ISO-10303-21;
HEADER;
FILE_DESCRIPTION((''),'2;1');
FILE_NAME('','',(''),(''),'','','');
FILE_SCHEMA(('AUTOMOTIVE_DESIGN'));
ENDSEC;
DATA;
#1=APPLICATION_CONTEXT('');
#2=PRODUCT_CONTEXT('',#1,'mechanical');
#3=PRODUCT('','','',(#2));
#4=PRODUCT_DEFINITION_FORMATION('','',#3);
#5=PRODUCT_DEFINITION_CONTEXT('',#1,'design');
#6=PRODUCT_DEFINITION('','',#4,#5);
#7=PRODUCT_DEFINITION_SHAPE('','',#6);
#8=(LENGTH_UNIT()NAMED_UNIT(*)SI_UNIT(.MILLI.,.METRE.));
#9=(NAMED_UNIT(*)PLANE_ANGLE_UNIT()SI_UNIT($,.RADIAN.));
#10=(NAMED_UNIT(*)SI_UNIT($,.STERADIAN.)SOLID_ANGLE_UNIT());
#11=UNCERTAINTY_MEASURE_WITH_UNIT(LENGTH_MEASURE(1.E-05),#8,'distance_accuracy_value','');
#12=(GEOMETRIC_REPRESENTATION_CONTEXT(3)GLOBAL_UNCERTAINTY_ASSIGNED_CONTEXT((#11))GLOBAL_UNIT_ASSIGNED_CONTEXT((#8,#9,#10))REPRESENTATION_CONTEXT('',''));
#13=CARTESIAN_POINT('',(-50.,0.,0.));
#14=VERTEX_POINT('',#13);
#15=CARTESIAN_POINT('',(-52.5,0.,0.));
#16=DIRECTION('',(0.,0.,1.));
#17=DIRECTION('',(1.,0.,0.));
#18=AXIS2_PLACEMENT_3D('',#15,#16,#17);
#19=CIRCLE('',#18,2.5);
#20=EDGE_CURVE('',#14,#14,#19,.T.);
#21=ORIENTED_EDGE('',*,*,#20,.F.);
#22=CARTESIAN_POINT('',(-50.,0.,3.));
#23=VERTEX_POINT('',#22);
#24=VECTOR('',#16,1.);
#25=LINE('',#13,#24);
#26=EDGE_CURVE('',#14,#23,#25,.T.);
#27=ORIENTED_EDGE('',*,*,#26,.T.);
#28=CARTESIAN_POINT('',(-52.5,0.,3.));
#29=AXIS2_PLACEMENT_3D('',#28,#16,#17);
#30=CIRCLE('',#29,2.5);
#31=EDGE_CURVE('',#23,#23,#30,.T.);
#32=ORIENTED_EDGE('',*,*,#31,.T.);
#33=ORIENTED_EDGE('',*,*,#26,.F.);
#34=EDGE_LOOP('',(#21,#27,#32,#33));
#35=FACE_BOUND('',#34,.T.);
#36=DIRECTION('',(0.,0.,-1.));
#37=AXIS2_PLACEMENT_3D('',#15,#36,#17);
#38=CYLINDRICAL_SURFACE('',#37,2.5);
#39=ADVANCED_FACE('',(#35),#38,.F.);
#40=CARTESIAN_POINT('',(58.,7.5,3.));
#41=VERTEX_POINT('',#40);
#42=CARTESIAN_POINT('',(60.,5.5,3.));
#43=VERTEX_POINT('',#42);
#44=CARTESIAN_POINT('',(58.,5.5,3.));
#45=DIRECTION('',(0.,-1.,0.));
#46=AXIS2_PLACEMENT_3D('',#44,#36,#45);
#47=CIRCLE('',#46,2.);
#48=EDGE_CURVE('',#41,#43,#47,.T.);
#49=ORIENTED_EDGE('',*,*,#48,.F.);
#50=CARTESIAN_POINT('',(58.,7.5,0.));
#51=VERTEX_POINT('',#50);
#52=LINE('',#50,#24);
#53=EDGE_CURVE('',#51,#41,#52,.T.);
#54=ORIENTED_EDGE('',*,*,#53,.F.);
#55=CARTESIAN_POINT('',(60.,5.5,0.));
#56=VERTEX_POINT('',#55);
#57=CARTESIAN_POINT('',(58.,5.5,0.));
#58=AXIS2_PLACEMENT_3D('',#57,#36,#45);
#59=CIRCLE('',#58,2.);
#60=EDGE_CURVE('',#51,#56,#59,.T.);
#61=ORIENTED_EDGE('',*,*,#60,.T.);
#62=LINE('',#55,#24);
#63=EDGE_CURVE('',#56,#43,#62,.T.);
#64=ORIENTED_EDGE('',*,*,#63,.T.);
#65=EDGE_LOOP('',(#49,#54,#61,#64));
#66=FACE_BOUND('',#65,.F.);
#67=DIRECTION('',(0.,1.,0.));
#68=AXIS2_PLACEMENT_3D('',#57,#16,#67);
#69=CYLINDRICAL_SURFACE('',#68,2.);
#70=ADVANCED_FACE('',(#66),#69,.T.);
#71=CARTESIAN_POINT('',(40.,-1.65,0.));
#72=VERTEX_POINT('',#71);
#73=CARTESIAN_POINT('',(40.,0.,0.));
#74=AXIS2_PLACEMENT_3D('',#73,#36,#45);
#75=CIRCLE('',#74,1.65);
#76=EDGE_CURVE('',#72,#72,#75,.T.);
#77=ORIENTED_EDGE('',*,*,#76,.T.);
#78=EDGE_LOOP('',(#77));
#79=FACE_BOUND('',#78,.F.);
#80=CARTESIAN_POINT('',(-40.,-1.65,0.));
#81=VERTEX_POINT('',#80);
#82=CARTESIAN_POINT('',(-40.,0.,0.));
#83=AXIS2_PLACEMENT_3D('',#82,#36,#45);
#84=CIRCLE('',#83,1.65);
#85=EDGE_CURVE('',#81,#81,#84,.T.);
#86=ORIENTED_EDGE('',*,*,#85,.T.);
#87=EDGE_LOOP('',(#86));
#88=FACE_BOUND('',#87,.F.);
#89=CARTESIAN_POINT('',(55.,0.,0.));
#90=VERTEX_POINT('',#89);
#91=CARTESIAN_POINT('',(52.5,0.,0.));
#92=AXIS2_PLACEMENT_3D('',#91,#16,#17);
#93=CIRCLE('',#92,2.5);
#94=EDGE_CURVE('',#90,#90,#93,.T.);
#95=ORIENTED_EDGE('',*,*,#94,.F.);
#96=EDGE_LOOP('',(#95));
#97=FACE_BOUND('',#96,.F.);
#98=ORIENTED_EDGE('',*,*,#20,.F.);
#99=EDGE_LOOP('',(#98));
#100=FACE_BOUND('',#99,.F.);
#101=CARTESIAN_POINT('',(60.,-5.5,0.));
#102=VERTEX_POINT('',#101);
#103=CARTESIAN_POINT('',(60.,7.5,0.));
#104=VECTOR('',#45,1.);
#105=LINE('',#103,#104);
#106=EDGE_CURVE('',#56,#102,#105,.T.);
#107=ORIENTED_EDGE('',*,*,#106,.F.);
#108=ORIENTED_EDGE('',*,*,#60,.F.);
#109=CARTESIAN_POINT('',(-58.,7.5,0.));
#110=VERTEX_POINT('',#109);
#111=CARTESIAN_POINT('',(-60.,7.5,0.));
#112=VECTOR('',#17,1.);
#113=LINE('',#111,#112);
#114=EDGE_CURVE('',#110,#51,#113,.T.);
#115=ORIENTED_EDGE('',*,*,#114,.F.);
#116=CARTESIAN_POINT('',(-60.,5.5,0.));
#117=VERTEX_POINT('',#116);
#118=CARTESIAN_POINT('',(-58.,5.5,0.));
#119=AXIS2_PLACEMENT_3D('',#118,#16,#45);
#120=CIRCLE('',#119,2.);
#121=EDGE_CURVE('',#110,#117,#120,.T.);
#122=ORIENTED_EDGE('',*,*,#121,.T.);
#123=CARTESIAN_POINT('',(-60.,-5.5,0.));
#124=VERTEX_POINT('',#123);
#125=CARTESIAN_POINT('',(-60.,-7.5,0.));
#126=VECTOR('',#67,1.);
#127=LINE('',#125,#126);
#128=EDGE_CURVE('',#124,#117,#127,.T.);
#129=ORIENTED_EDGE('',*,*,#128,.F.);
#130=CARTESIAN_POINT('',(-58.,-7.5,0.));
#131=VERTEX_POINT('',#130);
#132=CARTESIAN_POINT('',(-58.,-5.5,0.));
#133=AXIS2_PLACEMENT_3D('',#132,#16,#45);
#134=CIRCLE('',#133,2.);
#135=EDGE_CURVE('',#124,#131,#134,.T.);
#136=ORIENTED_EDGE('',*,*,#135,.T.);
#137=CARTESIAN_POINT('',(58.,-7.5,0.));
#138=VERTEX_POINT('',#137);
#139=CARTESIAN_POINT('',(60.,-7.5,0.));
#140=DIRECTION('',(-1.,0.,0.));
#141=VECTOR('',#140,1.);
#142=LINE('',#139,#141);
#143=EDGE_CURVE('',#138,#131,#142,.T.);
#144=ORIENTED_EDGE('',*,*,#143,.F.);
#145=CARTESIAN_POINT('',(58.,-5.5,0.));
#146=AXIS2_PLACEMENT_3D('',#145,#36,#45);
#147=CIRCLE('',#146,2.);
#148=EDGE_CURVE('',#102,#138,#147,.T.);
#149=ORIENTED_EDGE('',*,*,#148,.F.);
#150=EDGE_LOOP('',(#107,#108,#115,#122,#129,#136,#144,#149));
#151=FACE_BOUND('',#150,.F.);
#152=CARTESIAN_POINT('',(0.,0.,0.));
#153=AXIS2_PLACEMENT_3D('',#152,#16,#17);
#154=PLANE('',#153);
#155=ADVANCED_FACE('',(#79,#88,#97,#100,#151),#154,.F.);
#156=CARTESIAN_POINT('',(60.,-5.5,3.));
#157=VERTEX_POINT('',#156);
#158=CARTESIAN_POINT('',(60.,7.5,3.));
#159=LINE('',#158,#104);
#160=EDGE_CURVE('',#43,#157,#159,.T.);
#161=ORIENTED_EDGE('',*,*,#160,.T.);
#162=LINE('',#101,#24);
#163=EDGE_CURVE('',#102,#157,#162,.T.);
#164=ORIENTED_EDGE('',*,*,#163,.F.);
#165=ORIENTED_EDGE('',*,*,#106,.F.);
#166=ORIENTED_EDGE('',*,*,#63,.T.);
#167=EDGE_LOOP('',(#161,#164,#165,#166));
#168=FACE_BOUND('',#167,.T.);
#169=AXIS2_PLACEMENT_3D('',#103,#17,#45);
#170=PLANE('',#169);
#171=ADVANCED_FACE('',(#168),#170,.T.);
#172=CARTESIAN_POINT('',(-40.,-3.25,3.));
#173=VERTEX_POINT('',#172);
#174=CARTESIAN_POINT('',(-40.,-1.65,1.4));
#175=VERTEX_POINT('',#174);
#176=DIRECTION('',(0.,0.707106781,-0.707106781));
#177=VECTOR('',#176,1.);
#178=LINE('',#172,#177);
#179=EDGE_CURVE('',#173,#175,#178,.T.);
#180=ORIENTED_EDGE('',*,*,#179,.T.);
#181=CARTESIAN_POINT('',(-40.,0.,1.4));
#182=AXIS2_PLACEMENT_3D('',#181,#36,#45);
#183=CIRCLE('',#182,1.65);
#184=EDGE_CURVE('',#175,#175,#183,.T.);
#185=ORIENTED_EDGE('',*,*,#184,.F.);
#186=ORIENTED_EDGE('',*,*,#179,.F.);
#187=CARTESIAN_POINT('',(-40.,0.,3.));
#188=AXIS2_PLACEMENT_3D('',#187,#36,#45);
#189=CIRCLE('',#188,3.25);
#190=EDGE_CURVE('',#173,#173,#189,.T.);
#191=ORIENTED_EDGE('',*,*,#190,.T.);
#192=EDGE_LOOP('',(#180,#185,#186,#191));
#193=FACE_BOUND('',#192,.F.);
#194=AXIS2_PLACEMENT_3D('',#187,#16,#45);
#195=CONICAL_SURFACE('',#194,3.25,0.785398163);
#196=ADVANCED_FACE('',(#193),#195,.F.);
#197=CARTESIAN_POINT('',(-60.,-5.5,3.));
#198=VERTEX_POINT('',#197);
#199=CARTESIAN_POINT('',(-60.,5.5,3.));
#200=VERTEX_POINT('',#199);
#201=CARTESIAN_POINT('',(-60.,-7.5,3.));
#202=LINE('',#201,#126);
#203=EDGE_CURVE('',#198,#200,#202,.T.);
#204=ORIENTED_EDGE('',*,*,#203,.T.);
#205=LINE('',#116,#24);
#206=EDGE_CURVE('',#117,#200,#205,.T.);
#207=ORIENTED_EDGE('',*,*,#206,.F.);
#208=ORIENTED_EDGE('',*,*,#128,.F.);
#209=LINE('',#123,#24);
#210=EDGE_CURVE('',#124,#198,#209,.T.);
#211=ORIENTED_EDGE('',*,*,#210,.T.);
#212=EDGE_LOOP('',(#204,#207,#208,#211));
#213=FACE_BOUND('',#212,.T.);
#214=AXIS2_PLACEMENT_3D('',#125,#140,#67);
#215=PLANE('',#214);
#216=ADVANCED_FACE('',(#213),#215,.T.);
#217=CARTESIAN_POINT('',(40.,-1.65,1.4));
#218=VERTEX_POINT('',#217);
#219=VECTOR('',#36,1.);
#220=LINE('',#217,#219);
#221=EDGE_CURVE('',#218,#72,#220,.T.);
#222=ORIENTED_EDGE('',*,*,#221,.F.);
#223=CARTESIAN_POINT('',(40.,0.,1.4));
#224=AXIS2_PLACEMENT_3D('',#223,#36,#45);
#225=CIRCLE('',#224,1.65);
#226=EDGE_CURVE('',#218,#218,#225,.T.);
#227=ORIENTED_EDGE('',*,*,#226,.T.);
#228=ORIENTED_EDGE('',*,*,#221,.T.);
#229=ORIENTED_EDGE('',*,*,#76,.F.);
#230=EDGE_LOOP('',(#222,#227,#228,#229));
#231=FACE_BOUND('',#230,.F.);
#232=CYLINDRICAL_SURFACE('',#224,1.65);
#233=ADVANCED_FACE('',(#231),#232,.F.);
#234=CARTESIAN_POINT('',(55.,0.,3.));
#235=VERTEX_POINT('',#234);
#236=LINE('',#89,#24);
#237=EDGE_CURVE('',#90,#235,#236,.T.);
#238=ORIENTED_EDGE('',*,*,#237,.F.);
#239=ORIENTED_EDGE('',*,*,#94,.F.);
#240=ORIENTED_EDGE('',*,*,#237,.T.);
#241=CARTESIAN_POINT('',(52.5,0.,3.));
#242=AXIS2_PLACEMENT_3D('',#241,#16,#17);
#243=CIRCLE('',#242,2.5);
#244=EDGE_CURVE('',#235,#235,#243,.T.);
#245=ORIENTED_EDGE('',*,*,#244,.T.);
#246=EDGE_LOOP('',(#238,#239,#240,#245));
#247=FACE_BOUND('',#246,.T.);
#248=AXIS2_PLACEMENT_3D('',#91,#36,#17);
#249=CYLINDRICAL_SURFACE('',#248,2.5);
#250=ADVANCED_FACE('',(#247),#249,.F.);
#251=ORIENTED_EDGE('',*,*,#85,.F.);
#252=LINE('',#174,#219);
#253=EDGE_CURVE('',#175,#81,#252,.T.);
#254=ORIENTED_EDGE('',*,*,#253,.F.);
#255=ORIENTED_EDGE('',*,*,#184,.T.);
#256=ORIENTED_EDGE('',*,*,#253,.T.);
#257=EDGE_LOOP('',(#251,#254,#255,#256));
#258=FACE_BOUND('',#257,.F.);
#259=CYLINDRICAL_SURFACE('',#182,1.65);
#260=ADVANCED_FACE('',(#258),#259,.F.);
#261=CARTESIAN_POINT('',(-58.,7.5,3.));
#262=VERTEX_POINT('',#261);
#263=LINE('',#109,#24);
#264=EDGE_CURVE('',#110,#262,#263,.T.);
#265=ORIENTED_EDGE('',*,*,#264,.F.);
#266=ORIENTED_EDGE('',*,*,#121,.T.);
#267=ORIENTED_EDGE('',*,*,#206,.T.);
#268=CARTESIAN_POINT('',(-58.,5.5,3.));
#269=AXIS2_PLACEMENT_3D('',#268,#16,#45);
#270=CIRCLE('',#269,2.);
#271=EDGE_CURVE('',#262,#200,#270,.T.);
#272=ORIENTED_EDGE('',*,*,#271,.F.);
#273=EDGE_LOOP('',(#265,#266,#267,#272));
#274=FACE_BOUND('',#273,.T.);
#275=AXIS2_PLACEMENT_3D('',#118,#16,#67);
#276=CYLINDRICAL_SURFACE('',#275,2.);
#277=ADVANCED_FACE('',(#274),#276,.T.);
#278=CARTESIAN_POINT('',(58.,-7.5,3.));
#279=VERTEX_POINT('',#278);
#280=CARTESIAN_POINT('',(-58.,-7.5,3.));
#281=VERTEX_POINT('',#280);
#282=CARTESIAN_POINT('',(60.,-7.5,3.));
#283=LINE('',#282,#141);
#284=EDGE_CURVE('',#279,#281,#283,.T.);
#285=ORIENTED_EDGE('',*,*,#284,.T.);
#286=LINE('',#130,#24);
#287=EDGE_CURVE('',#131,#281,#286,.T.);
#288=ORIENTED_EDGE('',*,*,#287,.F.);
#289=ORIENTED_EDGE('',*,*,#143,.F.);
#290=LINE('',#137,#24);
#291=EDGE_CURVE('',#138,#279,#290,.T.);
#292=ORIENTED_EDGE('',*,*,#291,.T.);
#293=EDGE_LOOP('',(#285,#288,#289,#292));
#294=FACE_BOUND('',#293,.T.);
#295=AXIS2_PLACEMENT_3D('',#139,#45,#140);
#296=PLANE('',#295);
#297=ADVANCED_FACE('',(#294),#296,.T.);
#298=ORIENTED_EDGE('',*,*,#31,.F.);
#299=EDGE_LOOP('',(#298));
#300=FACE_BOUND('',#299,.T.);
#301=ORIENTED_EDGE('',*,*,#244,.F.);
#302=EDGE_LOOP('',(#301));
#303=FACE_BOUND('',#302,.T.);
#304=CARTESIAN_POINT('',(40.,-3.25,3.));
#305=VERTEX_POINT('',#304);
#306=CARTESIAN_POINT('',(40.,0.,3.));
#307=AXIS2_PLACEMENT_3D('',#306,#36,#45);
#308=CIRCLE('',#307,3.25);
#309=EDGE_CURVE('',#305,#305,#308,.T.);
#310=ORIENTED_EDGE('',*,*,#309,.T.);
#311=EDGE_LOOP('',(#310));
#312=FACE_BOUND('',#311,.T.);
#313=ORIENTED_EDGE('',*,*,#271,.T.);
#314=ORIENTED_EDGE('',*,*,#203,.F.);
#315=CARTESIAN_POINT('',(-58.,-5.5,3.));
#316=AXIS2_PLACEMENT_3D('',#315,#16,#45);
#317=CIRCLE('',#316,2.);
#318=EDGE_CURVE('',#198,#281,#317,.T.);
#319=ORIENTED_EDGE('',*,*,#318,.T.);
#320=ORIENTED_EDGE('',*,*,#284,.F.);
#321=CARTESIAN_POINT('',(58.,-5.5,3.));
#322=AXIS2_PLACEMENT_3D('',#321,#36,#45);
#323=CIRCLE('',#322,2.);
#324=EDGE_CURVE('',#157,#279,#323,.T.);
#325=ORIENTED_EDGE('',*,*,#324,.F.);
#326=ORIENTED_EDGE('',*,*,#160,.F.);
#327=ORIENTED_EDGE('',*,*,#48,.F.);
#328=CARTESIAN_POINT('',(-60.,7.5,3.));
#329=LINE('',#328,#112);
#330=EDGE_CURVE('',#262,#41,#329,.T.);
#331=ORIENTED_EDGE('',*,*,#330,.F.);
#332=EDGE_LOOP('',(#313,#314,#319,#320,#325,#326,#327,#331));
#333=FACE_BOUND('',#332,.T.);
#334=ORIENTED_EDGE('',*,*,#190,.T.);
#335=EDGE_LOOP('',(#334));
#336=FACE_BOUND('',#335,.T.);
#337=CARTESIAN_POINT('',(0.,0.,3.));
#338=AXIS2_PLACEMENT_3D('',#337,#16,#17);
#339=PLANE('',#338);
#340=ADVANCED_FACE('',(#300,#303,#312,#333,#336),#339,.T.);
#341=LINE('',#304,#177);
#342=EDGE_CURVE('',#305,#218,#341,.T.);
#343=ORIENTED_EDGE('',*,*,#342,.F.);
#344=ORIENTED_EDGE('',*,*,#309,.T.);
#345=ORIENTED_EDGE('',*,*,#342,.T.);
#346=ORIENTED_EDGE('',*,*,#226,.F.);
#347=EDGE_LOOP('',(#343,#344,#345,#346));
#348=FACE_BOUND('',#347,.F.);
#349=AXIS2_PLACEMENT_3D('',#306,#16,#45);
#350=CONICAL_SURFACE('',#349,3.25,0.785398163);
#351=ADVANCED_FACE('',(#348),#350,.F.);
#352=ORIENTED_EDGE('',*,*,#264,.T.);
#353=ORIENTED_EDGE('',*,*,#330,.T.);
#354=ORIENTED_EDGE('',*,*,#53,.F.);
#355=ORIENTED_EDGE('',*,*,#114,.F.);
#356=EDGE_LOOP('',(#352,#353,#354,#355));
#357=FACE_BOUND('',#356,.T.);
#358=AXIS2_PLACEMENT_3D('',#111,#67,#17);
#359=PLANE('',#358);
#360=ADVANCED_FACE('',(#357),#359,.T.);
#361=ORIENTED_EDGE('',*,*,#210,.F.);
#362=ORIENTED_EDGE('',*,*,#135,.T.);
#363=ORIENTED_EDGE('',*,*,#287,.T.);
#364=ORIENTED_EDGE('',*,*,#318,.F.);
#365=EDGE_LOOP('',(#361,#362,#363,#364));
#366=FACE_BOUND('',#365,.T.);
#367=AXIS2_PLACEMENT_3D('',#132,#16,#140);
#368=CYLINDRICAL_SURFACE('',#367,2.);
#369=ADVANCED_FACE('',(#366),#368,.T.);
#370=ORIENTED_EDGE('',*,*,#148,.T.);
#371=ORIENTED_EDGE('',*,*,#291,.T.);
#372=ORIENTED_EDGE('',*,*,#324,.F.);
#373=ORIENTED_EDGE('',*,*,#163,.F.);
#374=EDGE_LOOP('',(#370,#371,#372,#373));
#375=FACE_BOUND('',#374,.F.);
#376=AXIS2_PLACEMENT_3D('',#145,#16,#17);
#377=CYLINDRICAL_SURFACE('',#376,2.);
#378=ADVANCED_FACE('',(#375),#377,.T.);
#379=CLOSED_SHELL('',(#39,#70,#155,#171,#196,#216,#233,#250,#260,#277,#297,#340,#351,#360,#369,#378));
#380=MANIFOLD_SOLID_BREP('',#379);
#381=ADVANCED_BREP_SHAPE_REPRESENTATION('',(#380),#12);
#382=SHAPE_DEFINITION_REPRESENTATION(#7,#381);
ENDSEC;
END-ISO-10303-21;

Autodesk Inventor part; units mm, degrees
ref_plane "YZ Plane" through (0, 0, 0) normal (1, 0, 0) x (0, 1, 0)
ref_plane "XZ Plane" through (0, 0, 0) normal (0, 1, 0) x (-1, 0, 0)
ref_plane "XY Plane" through (0, 0, 0) normal (0, 0, 1) x (1, 0, 0)
sketch "Sketch1" plane through (0, 0, 0) normal (0, 0, 1) x (1, 0, 0)
  line L0 (-60, 7.5) -> (60, 7.5)
  line L1 (60, 7.5) -> (60, -7.5)
  line L2 (60, -7.5) -> (-60, -7.5)
  line L3 (-60, -7.5) -> (-60, 7.5)
  line L4 (-60, 7.5) -> (60, -7.5) construction
  line L5 (60, 7.5) -> (-60, -7.5) construction
  circle A0 centre (-52.5, 0) radius 2.5
  circle A1 centre (52.5, 0) radius 2.5
  point P0 (0, 0)
  point P1 (-60, 0)
  point P2 (60, 0)
  dimension "d0" = 120
  dimension "d1" = 15
  dimension "d2" = 5
  dimension "d3" = 7.5
  dimension "d4" = 7.5
extrude "Extrusion1" add sketch "Sketch1" along normal blind 3
sketch "Sketch2" plane through (0, 0, 3) normal (0, 0, 1) x (1, 0, 0)
  line L0 (-40, 0) -> (40, 0) construction
  point P0 (0, 0)
  point P1 (0, 0)
  dimension "d7" = 80
hole "Hole1" at (-40, 0, 3) at (40, 0, 3) direction (0, 0, -1) diameter 3.3 depth 36.25 countersink diameter 6.5 countersink angle 90
fillet "Fillet1" radius 2 4 edges at (-60, 7.5, 1.5) (-60, -7.5, 1.5) (60, 7.5, 1.5) (60, -7.5, 1.5)
equation "\"d4\" = d3"
properties part number "Power Supply Wall Mount v1"
